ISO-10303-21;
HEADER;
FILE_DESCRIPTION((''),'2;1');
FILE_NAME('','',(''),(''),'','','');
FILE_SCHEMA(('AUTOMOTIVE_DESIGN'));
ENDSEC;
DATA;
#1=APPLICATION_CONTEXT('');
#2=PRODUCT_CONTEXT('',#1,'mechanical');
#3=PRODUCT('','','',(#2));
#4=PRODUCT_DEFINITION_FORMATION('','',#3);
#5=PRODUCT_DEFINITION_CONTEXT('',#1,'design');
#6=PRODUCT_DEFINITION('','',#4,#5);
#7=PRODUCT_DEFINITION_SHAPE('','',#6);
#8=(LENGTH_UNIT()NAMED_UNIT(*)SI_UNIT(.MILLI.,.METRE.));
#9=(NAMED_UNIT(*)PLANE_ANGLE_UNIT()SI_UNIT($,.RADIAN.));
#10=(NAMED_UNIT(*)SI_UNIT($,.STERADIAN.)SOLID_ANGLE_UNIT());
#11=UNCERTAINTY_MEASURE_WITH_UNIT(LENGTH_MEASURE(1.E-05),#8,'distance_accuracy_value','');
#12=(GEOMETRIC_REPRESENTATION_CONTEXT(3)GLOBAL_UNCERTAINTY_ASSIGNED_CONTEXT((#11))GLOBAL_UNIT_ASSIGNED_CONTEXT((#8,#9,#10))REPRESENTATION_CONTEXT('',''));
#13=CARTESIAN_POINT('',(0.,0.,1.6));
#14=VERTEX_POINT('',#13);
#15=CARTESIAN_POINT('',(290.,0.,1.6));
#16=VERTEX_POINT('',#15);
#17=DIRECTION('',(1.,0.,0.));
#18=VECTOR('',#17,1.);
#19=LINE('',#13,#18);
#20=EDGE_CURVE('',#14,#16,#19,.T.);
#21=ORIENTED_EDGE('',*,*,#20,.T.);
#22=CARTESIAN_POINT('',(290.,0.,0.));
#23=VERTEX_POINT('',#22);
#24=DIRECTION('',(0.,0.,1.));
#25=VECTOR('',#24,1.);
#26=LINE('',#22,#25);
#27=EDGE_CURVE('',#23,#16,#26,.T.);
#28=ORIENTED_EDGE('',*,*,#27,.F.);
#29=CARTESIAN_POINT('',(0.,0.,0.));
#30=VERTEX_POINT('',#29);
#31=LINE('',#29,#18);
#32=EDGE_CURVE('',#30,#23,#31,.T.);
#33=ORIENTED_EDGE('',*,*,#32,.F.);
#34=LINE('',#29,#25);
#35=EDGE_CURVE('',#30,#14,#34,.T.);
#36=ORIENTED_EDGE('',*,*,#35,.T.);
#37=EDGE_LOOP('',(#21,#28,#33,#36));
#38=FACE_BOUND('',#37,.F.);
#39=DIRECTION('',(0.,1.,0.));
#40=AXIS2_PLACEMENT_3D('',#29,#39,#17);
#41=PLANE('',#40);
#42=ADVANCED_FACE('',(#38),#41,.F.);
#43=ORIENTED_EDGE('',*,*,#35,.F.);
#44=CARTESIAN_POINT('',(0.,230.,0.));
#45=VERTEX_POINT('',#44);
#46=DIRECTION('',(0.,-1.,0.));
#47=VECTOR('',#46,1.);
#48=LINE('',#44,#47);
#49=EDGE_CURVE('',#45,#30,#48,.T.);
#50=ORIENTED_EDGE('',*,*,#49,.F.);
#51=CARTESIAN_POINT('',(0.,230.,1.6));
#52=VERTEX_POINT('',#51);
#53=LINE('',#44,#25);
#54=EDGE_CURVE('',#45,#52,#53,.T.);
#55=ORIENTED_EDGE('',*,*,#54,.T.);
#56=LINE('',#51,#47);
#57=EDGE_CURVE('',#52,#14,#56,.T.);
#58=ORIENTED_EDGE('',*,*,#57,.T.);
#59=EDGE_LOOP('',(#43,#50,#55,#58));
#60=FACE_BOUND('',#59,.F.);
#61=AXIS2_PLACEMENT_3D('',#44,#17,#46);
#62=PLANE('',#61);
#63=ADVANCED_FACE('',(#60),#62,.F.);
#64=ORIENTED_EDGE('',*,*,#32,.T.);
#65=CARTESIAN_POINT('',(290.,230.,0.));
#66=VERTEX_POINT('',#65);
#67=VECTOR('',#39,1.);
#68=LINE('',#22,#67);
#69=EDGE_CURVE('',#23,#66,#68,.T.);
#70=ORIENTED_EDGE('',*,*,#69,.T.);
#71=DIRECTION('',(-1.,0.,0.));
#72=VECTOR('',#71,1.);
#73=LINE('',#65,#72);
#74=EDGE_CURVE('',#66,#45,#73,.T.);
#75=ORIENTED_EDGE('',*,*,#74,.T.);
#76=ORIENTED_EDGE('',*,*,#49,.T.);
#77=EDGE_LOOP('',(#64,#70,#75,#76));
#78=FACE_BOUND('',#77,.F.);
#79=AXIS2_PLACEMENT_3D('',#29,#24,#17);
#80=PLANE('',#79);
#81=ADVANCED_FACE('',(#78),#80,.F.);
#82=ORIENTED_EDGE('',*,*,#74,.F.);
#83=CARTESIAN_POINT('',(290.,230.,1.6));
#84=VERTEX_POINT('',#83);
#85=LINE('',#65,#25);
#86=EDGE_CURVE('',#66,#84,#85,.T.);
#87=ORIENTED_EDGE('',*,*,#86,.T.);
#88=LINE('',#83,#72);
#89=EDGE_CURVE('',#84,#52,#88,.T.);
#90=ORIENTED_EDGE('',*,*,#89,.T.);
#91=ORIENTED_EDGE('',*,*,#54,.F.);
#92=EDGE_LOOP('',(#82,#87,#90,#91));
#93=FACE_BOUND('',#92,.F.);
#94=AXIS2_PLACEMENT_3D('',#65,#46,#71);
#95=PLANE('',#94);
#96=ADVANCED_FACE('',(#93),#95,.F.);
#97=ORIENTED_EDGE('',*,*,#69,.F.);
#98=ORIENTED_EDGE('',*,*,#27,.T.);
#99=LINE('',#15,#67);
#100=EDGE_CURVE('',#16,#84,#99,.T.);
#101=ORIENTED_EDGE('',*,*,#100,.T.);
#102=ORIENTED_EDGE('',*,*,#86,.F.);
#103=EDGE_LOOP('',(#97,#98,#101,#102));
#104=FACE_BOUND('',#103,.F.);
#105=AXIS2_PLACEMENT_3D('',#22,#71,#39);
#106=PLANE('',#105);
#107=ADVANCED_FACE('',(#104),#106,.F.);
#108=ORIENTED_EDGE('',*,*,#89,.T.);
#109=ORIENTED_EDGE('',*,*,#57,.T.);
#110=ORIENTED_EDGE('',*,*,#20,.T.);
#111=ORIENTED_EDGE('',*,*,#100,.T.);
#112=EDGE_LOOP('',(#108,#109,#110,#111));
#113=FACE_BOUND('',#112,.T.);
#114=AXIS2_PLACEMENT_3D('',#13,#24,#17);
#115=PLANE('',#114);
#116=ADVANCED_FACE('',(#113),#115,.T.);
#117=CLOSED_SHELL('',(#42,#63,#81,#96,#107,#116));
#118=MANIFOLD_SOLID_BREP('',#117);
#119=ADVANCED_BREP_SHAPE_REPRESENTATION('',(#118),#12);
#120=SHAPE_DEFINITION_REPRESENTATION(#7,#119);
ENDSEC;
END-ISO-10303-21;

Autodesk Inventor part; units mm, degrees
ref_plane "YZ Plane" through (0, 0, 0) normal (1, 0, 0) x (0, 1, 0)
ref_plane "XZ Plane" through (0, 0, 0) normal (0, 1, 0) x (-1, 0, 0)
ref_plane "XY Plane" through (0, 0, 0) normal (0, 0, 1) x (1, 0, 0)
sketch "Sketch1" plane through (0, 0, 0) normal (0, 0, 1) x (1, 0, 0)
  line L0 (0, 0) -> (290, 0)
  line L1 (290, 0) -> (290, 230)
  line L2 (290, 230) -> (0, 230)
  line L3 (0, 230) -> (0, 0)
  dimension "d0" = 290
  dimension "d1" = 230
extrude "Extrusion1" add sketch "Sketch1" along normal blind 1.6
properties part number "UltibotsHeatSpreader230x290" material "Aluminum 6061"
